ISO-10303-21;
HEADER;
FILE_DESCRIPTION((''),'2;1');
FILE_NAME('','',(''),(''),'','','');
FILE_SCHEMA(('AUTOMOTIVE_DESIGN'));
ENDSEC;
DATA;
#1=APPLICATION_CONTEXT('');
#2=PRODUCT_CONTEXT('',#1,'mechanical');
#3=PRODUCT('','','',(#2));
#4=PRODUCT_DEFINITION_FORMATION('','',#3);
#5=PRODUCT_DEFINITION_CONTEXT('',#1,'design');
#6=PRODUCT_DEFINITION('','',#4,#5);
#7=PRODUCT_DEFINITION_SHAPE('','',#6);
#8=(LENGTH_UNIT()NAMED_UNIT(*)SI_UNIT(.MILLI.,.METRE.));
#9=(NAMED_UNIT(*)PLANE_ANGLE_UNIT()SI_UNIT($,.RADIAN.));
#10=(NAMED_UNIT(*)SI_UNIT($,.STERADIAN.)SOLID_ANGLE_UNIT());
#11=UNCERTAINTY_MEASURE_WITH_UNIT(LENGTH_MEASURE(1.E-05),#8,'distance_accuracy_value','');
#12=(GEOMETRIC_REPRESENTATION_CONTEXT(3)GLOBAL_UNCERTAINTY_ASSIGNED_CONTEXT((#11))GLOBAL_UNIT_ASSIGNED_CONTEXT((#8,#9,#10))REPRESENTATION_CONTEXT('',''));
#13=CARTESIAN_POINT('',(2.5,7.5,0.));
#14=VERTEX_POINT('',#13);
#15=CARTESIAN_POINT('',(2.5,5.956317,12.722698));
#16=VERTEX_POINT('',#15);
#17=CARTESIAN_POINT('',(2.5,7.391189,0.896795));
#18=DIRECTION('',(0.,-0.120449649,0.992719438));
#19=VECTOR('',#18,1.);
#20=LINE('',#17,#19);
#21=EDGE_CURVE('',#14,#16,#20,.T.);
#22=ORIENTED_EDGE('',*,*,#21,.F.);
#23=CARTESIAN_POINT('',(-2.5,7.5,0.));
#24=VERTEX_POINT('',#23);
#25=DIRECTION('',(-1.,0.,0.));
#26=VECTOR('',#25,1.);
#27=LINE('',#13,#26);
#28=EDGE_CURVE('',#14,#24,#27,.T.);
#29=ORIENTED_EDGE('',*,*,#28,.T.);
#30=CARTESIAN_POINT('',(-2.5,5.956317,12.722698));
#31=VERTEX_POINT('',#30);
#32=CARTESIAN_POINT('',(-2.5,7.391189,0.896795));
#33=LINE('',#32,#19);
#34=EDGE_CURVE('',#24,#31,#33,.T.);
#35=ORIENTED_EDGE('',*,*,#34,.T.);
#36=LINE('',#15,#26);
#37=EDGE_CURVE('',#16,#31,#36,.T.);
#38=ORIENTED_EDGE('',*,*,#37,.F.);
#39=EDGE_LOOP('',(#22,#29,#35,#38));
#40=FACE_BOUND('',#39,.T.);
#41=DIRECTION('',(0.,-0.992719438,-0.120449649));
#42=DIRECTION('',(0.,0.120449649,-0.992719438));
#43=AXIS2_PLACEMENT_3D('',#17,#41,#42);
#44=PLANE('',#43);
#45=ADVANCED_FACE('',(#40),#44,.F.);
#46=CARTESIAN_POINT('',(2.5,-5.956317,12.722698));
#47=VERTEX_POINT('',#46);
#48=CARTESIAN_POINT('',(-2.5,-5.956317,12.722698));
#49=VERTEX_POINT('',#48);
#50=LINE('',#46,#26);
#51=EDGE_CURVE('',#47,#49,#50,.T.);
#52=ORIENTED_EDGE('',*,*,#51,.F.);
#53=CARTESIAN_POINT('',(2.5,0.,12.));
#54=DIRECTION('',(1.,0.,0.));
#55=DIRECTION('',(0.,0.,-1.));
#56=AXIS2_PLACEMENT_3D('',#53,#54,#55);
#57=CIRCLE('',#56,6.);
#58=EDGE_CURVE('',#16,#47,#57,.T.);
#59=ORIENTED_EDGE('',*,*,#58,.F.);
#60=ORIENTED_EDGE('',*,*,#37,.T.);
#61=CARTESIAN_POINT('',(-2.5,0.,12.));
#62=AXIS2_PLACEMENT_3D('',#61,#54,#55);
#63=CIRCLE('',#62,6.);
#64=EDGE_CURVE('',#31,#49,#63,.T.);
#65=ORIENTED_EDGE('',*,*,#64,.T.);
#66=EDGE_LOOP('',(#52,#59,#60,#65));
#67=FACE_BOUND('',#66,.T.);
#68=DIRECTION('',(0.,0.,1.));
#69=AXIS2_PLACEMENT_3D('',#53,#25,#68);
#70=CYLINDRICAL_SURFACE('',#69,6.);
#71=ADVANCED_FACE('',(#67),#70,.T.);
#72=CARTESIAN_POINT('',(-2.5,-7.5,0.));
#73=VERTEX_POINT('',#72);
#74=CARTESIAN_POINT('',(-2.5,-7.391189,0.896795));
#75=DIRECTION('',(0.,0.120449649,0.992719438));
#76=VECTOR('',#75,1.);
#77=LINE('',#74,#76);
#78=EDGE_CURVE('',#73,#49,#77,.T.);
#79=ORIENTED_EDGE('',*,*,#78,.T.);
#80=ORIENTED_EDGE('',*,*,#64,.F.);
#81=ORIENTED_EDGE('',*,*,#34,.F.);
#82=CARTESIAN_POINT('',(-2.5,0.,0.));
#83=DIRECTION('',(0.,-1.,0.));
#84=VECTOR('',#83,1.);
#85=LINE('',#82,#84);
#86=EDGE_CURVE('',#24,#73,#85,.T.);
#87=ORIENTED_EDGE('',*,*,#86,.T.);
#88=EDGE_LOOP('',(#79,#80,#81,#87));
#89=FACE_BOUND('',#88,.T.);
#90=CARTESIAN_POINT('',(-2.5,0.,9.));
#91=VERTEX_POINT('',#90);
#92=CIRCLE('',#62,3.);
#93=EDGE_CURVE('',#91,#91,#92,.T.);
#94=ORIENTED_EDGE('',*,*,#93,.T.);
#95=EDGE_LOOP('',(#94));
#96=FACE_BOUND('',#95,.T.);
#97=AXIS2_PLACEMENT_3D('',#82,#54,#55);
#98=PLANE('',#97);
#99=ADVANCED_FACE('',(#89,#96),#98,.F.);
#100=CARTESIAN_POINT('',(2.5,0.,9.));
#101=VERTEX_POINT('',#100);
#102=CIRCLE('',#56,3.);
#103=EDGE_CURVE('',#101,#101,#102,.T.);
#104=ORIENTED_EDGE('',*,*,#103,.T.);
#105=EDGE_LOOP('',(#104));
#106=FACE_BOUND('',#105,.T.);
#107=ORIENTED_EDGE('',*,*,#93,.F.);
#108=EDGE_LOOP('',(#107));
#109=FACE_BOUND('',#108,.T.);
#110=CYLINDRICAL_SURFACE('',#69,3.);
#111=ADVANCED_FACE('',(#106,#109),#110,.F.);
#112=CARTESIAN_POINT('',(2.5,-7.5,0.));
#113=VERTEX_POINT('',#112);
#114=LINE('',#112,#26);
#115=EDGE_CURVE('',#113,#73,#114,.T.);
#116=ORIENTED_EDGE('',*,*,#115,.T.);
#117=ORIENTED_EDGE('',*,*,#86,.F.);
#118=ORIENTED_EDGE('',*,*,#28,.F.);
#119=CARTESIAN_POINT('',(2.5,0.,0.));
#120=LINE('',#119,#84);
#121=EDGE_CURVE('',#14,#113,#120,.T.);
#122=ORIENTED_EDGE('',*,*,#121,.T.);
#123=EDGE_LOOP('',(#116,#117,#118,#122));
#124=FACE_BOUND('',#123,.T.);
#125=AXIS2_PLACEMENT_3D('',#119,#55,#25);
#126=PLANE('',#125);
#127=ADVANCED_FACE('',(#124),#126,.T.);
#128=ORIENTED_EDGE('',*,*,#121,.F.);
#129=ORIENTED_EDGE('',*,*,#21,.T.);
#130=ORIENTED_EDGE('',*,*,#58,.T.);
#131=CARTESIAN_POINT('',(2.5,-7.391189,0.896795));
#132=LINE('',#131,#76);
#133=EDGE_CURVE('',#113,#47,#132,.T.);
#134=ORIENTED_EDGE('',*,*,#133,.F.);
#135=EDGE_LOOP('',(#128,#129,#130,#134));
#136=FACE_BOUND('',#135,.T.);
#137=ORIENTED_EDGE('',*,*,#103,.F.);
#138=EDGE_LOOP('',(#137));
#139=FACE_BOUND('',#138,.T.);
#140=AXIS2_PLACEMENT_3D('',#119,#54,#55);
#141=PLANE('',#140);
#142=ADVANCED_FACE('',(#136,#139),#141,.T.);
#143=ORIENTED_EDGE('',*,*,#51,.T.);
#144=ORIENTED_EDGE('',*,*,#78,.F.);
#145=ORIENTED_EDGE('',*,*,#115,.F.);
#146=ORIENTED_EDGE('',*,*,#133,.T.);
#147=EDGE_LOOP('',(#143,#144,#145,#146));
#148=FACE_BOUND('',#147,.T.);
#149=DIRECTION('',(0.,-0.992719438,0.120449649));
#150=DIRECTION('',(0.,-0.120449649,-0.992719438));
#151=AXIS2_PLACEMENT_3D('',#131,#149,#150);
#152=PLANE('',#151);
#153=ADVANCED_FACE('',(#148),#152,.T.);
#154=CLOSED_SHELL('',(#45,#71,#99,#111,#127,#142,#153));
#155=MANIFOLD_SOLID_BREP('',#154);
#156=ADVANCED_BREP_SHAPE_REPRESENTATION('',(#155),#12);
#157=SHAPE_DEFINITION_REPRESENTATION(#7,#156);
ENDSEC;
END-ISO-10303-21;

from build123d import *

# Parameters (mm, degrees)
SKETCH1_R           = 3
BOSS_EXTRUDE2_DEPTH = 2.5


with BuildPart() as part:
    # Sketch1 → Boss-Extrude2 (new, symmetric)
    with BuildSketch(Plane.YZ):
        with BuildLine():
            Line((7.5, 0), (-7.5, 0))
            Line((-7.5, 0), (-5.956316627, 12.722697892))
            ThreePointArc((-5.956316627, 12.722697892), (0, 18), (5.956316627, 12.722697892))
            Line((5.956316627, 12.722697892), (7.5, 0))
        make_face()
        with Locations(Location((0, 12, 0), (0, 0, 270))):
            Circle(SKETCH1_R, mode=Mode.SUBTRACT)
    extrude(amount=BOSS_EXTRUDE2_DEPTH, both=True)


solid = part.part
